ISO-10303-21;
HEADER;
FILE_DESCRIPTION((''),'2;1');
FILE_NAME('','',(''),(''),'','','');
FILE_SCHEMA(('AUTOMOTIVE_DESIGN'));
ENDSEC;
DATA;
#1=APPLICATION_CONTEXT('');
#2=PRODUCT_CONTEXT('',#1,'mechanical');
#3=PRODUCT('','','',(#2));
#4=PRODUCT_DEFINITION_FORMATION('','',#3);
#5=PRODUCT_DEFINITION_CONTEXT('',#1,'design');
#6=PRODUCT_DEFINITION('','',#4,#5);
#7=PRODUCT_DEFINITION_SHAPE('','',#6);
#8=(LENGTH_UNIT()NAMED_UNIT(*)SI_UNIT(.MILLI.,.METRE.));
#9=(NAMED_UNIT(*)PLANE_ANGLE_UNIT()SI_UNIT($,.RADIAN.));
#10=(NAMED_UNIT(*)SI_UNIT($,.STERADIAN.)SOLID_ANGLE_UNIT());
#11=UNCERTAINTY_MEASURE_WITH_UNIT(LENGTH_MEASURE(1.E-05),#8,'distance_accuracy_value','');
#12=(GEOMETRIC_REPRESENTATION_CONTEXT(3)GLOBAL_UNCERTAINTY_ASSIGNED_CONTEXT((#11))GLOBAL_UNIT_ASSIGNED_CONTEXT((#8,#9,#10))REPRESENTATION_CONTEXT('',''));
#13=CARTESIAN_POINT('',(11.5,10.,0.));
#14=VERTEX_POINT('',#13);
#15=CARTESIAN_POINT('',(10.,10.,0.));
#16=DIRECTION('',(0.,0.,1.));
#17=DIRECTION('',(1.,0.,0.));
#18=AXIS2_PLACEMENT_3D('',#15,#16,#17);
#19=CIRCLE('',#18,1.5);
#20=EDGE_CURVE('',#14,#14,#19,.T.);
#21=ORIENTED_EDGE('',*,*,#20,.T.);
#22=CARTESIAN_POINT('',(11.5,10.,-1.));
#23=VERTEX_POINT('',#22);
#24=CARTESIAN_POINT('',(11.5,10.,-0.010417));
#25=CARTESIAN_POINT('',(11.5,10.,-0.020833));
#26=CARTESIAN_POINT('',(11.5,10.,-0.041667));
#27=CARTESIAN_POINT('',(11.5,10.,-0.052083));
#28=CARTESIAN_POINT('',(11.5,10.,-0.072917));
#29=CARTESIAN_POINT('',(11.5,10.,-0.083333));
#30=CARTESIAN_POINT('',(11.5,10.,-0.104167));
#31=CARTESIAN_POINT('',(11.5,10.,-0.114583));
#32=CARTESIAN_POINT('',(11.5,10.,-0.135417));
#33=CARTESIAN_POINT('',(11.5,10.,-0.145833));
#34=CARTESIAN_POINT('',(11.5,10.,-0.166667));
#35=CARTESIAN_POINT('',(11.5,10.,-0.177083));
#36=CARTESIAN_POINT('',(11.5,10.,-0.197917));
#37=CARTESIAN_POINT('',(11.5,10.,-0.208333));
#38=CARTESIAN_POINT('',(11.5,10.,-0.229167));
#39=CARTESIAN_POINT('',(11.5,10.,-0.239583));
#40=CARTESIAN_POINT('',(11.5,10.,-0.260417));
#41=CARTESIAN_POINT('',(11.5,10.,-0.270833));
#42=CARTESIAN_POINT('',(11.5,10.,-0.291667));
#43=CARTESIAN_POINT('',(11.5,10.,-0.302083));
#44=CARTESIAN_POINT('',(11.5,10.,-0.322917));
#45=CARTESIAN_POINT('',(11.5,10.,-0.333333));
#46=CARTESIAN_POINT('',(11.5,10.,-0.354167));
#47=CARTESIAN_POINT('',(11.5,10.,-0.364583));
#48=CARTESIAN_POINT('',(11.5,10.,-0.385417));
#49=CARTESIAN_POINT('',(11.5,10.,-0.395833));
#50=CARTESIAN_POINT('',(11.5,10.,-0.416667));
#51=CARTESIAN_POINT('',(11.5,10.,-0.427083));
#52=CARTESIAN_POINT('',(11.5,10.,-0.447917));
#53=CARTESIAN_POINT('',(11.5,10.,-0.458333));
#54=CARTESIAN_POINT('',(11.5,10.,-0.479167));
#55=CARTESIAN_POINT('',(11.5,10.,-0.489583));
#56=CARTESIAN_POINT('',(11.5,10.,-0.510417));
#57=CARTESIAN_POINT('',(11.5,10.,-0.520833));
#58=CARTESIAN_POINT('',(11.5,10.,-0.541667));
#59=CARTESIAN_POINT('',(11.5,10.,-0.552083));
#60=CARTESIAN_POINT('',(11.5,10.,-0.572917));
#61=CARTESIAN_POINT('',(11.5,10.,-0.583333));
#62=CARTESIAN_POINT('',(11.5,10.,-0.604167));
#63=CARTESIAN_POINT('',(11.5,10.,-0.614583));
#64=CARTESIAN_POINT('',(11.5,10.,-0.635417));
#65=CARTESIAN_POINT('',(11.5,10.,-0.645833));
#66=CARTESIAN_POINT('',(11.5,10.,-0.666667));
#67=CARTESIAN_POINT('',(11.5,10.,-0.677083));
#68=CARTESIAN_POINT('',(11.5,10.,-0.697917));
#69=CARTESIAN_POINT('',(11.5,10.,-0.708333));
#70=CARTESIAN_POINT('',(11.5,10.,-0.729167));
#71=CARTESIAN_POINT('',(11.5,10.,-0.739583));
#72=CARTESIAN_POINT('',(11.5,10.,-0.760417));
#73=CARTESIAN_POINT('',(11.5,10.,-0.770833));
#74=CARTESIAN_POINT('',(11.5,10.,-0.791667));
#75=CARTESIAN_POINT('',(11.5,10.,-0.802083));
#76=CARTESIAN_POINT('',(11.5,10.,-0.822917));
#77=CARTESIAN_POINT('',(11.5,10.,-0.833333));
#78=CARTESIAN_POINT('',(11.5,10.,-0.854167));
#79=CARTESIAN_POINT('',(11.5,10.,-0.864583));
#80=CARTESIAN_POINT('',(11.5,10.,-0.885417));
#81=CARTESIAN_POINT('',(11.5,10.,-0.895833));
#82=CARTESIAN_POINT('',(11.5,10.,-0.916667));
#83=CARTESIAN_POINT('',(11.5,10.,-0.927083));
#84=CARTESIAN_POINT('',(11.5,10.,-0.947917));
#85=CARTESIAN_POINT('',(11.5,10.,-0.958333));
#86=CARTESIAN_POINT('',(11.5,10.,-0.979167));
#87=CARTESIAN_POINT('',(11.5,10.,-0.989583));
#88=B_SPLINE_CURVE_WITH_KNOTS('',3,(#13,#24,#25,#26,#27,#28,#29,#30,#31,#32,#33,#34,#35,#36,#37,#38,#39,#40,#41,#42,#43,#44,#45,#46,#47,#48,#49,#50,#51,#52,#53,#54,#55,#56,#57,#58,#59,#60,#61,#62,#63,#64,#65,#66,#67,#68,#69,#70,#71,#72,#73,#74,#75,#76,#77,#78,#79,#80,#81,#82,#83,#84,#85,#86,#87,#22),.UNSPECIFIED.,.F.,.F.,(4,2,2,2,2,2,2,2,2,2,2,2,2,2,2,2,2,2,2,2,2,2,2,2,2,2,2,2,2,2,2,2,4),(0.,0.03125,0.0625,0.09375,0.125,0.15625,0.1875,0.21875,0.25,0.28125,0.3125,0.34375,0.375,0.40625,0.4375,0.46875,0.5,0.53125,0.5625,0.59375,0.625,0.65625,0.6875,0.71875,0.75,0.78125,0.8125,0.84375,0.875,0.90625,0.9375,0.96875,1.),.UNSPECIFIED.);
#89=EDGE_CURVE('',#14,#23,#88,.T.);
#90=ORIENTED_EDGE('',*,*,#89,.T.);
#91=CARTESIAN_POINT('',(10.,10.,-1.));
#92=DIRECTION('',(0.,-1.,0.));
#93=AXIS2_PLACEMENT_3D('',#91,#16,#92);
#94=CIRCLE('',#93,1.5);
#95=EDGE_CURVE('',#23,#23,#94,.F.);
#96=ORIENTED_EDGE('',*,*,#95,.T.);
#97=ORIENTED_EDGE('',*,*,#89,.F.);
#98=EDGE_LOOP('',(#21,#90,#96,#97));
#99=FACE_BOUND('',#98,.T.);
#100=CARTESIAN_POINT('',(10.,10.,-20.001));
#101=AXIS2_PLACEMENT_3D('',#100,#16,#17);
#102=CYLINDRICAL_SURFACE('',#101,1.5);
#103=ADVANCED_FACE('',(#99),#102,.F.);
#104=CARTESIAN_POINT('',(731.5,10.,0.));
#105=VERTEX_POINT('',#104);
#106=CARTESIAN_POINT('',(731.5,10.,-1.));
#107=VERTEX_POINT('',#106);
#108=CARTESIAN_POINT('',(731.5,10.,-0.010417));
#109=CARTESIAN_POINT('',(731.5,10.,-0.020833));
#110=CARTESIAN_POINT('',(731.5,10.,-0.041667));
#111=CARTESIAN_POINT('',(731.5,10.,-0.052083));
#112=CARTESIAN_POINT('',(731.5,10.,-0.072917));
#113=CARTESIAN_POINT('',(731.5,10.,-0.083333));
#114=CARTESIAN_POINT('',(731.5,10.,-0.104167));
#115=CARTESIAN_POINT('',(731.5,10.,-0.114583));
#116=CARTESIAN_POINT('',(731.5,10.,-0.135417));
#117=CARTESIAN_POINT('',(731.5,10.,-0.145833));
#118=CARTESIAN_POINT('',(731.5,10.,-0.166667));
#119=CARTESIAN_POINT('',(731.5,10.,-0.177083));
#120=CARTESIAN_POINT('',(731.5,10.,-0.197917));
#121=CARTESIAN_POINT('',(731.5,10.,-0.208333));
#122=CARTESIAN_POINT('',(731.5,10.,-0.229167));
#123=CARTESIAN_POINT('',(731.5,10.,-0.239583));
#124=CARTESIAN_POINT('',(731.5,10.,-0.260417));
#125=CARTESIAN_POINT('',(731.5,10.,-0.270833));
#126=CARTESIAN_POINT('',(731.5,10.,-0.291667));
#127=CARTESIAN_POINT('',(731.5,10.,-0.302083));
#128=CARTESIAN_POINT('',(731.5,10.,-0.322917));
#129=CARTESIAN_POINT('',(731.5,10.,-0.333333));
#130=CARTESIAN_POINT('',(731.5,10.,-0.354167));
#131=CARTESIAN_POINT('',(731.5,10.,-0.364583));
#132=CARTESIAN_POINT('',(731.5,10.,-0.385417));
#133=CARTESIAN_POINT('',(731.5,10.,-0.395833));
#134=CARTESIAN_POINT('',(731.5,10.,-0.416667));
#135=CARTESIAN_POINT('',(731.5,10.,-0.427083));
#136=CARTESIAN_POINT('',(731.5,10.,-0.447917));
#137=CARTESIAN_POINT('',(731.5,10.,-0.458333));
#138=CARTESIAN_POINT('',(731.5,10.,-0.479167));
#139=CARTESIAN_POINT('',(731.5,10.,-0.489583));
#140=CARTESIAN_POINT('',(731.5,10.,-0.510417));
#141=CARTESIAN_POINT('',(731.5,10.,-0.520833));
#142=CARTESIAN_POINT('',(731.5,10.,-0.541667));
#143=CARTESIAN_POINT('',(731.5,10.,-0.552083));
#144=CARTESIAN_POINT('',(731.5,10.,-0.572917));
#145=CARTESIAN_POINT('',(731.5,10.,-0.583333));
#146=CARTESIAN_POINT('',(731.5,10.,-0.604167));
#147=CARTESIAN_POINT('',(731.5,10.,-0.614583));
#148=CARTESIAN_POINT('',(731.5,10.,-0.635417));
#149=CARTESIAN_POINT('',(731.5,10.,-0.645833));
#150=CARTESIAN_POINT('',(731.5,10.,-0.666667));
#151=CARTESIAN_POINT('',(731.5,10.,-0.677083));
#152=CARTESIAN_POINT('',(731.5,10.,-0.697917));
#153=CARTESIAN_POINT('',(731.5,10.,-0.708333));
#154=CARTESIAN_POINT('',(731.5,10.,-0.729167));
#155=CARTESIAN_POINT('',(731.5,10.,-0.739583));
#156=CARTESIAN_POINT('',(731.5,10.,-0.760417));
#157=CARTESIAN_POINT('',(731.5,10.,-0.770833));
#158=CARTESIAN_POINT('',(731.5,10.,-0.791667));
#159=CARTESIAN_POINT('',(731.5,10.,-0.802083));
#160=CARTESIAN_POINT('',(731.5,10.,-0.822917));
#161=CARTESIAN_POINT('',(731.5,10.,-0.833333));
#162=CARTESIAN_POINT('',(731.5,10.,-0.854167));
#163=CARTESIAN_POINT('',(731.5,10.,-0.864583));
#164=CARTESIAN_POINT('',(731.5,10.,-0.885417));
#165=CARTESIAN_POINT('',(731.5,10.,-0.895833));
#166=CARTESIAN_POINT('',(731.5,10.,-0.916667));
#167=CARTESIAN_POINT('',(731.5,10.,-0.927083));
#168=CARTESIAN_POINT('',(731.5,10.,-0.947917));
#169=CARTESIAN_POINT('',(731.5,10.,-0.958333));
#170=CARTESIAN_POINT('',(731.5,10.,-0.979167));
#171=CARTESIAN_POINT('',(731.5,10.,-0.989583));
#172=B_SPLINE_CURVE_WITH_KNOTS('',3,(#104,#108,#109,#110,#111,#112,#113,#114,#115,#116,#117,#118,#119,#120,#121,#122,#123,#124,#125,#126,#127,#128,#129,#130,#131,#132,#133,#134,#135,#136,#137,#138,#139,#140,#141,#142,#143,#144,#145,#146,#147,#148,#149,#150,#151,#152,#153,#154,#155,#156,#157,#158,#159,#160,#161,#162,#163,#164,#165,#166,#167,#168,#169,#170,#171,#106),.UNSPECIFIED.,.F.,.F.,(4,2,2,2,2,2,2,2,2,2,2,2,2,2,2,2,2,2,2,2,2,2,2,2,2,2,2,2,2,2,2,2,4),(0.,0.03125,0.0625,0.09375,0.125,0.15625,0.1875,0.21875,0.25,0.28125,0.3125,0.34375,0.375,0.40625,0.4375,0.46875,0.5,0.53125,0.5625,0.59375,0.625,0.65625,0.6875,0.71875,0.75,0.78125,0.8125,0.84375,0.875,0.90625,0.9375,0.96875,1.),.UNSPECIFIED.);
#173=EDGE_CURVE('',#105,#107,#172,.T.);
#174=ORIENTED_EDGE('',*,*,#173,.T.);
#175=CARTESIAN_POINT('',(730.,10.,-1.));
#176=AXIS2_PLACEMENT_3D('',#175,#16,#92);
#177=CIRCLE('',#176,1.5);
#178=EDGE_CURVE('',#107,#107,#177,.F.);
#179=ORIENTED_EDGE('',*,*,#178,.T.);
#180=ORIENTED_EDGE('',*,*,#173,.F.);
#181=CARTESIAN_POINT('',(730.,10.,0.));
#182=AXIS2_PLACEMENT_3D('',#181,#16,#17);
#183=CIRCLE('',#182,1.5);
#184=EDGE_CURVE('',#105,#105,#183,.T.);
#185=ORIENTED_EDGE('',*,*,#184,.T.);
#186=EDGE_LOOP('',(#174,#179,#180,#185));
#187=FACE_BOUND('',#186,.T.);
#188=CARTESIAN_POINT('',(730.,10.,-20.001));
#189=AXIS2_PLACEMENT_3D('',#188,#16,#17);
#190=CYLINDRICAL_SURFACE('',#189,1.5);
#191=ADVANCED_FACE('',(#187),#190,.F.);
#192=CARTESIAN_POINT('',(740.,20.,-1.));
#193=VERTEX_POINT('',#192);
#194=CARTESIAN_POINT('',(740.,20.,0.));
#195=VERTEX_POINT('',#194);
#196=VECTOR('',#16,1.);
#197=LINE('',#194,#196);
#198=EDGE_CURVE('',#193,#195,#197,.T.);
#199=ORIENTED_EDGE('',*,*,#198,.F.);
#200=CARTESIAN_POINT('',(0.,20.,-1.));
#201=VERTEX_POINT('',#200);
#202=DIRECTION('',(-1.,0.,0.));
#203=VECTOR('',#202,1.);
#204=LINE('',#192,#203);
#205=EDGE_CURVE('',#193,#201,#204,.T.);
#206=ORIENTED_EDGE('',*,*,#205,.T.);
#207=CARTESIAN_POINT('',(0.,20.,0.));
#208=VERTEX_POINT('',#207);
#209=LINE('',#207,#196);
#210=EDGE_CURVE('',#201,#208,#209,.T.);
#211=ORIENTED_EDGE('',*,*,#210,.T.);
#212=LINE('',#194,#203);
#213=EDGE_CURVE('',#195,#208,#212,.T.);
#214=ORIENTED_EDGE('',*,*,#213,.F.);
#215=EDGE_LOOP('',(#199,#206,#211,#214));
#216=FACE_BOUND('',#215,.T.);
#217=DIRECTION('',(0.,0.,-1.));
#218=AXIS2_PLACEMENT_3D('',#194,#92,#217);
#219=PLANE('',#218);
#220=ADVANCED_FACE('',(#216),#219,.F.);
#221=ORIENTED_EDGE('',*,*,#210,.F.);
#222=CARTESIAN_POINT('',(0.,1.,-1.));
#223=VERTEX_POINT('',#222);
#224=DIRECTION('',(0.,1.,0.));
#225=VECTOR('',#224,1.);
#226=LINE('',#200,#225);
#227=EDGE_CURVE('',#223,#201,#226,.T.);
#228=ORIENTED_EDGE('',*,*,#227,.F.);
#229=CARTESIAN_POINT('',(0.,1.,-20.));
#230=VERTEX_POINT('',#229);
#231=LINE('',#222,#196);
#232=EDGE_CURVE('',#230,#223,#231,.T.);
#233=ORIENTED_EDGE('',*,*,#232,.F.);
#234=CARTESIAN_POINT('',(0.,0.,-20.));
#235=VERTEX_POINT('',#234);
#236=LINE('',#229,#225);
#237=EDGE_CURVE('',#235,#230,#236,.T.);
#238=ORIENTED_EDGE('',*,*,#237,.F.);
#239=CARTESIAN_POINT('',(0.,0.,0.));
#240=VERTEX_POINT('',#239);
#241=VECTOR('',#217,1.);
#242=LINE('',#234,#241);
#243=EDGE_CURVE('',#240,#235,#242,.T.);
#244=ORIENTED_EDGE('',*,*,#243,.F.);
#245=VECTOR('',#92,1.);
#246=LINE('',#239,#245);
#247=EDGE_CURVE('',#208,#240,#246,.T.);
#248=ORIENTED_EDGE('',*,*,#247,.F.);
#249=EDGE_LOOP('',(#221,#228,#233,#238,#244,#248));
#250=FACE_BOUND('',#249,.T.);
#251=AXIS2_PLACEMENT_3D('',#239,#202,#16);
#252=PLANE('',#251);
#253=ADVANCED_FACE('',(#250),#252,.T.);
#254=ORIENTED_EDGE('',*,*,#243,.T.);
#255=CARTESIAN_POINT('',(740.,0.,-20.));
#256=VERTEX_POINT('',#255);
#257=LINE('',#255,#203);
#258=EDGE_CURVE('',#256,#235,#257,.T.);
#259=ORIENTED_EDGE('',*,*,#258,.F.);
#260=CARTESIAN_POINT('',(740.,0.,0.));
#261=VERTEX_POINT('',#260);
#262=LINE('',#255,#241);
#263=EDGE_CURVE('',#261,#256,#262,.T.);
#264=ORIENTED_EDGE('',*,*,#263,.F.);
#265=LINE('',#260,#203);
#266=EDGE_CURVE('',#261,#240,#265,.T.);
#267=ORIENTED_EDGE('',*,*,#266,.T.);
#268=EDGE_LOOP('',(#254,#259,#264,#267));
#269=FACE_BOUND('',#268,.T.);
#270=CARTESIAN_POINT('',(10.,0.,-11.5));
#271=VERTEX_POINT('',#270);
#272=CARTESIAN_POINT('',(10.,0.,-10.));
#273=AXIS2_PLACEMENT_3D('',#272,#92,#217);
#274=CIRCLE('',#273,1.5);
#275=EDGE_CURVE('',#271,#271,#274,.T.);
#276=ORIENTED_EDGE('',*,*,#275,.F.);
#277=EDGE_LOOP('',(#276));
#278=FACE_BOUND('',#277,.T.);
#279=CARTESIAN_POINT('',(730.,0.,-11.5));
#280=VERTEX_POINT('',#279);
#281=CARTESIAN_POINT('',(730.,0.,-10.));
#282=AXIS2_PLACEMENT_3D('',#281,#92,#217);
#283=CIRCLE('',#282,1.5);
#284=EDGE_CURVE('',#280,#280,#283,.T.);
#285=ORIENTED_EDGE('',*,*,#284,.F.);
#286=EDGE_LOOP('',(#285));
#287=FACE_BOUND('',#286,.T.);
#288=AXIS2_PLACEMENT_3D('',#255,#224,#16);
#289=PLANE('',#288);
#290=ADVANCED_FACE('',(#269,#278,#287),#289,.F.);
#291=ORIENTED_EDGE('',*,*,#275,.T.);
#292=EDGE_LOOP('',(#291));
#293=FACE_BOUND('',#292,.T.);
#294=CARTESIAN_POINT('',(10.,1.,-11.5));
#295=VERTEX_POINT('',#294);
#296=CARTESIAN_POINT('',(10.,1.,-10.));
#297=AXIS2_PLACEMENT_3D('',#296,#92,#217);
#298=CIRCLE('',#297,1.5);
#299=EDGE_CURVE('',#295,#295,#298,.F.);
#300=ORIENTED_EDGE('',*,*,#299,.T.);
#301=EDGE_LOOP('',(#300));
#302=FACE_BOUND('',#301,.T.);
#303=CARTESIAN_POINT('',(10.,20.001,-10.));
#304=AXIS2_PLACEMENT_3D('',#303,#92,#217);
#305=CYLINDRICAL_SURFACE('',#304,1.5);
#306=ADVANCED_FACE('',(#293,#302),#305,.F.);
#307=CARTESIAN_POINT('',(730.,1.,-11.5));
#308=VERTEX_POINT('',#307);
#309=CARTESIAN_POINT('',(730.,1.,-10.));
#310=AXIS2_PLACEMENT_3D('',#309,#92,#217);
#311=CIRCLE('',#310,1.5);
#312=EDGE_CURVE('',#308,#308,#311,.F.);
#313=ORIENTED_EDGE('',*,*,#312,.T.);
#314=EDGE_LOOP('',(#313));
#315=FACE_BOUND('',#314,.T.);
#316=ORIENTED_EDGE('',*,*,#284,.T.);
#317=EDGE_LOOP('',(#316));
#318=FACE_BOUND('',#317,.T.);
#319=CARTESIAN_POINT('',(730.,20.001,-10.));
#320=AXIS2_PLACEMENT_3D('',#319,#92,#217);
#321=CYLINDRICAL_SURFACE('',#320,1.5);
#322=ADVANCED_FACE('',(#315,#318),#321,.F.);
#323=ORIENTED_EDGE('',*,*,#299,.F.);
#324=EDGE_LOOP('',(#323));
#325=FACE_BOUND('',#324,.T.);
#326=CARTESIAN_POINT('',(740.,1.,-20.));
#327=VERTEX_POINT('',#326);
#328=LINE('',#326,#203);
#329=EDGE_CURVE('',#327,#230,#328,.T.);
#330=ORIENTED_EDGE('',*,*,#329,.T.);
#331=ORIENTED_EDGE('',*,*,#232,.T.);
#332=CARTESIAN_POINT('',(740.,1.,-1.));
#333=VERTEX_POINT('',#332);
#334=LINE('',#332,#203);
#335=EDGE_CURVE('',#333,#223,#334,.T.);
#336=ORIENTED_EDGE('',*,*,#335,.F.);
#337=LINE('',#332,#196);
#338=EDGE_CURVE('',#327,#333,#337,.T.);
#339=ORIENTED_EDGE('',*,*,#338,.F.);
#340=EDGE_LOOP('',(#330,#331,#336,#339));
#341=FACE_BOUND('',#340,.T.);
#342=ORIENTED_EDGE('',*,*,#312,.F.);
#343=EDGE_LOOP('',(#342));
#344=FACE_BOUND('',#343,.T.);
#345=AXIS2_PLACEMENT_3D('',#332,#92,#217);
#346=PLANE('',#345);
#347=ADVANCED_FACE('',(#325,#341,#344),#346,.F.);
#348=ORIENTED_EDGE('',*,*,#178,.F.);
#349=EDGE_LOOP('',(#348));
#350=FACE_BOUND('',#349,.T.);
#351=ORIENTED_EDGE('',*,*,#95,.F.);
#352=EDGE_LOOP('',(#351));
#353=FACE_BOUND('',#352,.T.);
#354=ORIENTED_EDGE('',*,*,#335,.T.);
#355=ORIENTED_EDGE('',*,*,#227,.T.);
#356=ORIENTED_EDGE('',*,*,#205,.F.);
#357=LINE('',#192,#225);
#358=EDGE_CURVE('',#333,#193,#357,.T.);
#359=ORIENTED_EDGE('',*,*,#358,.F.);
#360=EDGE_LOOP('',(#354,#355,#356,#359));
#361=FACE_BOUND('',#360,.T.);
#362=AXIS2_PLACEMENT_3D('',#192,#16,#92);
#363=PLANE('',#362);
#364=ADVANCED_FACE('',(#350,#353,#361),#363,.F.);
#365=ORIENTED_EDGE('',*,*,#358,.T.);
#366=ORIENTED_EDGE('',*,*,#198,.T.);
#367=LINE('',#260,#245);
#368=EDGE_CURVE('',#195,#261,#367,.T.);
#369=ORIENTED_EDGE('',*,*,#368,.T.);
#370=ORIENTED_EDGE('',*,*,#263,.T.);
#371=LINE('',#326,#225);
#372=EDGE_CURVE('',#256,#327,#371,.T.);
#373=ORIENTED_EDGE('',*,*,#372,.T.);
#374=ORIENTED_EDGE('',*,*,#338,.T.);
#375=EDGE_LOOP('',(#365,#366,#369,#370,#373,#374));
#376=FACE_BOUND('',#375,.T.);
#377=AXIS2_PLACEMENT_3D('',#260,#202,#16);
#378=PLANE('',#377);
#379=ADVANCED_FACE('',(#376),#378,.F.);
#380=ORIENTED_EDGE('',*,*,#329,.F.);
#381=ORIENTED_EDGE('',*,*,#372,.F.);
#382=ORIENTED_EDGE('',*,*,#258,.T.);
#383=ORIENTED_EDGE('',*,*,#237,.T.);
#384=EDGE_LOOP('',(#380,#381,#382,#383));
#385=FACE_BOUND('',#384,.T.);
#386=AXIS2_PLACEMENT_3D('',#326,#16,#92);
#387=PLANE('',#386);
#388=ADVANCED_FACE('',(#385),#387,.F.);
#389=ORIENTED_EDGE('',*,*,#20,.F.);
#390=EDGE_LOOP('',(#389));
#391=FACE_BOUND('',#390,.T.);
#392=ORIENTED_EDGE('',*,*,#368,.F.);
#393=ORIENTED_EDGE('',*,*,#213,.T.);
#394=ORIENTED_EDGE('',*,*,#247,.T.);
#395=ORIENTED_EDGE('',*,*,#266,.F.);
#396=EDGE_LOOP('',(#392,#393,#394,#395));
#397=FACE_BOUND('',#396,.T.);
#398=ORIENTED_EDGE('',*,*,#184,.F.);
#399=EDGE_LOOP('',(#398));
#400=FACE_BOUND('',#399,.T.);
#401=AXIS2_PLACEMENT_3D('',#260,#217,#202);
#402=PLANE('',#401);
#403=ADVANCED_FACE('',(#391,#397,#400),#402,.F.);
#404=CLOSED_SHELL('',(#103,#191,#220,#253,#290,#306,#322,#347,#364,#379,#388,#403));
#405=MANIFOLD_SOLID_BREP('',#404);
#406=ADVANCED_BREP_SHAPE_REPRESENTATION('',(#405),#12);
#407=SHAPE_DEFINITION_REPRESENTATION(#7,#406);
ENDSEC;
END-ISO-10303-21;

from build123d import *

# Parameters (mm, degrees)
BOSS_EXTRUDE1_DEPTH = 740
CUT_EXTRUDE1_REACH  = 742.54
SKETCH2_R           = 1.5
CUT_EXTRUDE2_REACH  = 742.54
SKETCH3_R           = 1.5


with BuildPart() as part:
    # Sketch1 → Boss-Extrude1 (new body)
    with BuildSketch(Plane(origin=(0, 0, 0), x_dir=(0, 0, -1), z_dir=(1, 0, 0))):
        Polygon((0, 0), (0, 20), (1, 20), (1, 1), (20, 1), (20, 0), align=None)
    extrude(amount=BOSS_EXTRUDE1_DEPTH)

    # Sketch2 → Cut-Extrude1 (cut, up to next)
    with BuildSketch(Plane.XY, mode=Mode.PRIVATE) as cut_extrude1_sk1:
        with Locations((10, 10)):
            Circle(SKETCH2_R)
    cut_extrude1_tool1 = extrude(cut_extrude1_sk1.sketch, amount=-CUT_EXTRUDE1_REACH, mode=Mode.PRIVATE) & part.part
    # Sketch2 → Cut-Extrude1 (cut, up to next)
    with BuildSketch(Plane.XY, mode=Mode.PRIVATE) as cut_extrude1_sk2:
        with Locations((730, 10)):
            Circle(SKETCH2_R)
    cut_extrude1_tool2 = extrude(cut_extrude1_sk2.sketch, amount=-CUT_EXTRUDE1_REACH, mode=Mode.PRIVATE) & part.part
    add(cut_extrude1_tool1.solids().sort_by_distance((10, 10, 0))[0], mode=Mode.SUBTRACT)
    add(cut_extrude1_tool2.solids().sort_by_distance((730, 10, 0))[0], mode=Mode.SUBTRACT)

    # Sketch3 → Cut-Extrude2 (cut, up to next)
    with BuildSketch(Plane.XZ, mode=Mode.PRIVATE) as cut_extrude2_sk1:
        with Locations(Location((10, -10, 0), (0, 0, 270))):
            Circle(SKETCH3_R)
    cut_extrude2_tool1 = extrude(cut_extrude2_sk1.sketch, amount=-CUT_EXTRUDE2_REACH, mode=Mode.PRIVATE) & part.part
    # Sketch3 → Cut-Extrude2 (cut, up to next)
    with BuildSketch(Plane.XZ, mode=Mode.PRIVATE) as cut_extrude2_sk2:
        with Locations(Location((730, -10, 0), (0, 0, 270))):
            Circle(SKETCH3_R)
    cut_extrude2_tool2 = extrude(cut_extrude2_sk2.sketch, amount=-CUT_EXTRUDE2_REACH, mode=Mode.PRIVATE) & part.part
    add(cut_extrude2_tool1.solids().sort_by_distance((10, 0, -10))[0], mode=Mode.SUBTRACT)
    add(cut_extrude2_tool2.solids().sort_by_distance((730, 0, -10))[0], mode=Mode.SUBTRACT)


solid = part.part
